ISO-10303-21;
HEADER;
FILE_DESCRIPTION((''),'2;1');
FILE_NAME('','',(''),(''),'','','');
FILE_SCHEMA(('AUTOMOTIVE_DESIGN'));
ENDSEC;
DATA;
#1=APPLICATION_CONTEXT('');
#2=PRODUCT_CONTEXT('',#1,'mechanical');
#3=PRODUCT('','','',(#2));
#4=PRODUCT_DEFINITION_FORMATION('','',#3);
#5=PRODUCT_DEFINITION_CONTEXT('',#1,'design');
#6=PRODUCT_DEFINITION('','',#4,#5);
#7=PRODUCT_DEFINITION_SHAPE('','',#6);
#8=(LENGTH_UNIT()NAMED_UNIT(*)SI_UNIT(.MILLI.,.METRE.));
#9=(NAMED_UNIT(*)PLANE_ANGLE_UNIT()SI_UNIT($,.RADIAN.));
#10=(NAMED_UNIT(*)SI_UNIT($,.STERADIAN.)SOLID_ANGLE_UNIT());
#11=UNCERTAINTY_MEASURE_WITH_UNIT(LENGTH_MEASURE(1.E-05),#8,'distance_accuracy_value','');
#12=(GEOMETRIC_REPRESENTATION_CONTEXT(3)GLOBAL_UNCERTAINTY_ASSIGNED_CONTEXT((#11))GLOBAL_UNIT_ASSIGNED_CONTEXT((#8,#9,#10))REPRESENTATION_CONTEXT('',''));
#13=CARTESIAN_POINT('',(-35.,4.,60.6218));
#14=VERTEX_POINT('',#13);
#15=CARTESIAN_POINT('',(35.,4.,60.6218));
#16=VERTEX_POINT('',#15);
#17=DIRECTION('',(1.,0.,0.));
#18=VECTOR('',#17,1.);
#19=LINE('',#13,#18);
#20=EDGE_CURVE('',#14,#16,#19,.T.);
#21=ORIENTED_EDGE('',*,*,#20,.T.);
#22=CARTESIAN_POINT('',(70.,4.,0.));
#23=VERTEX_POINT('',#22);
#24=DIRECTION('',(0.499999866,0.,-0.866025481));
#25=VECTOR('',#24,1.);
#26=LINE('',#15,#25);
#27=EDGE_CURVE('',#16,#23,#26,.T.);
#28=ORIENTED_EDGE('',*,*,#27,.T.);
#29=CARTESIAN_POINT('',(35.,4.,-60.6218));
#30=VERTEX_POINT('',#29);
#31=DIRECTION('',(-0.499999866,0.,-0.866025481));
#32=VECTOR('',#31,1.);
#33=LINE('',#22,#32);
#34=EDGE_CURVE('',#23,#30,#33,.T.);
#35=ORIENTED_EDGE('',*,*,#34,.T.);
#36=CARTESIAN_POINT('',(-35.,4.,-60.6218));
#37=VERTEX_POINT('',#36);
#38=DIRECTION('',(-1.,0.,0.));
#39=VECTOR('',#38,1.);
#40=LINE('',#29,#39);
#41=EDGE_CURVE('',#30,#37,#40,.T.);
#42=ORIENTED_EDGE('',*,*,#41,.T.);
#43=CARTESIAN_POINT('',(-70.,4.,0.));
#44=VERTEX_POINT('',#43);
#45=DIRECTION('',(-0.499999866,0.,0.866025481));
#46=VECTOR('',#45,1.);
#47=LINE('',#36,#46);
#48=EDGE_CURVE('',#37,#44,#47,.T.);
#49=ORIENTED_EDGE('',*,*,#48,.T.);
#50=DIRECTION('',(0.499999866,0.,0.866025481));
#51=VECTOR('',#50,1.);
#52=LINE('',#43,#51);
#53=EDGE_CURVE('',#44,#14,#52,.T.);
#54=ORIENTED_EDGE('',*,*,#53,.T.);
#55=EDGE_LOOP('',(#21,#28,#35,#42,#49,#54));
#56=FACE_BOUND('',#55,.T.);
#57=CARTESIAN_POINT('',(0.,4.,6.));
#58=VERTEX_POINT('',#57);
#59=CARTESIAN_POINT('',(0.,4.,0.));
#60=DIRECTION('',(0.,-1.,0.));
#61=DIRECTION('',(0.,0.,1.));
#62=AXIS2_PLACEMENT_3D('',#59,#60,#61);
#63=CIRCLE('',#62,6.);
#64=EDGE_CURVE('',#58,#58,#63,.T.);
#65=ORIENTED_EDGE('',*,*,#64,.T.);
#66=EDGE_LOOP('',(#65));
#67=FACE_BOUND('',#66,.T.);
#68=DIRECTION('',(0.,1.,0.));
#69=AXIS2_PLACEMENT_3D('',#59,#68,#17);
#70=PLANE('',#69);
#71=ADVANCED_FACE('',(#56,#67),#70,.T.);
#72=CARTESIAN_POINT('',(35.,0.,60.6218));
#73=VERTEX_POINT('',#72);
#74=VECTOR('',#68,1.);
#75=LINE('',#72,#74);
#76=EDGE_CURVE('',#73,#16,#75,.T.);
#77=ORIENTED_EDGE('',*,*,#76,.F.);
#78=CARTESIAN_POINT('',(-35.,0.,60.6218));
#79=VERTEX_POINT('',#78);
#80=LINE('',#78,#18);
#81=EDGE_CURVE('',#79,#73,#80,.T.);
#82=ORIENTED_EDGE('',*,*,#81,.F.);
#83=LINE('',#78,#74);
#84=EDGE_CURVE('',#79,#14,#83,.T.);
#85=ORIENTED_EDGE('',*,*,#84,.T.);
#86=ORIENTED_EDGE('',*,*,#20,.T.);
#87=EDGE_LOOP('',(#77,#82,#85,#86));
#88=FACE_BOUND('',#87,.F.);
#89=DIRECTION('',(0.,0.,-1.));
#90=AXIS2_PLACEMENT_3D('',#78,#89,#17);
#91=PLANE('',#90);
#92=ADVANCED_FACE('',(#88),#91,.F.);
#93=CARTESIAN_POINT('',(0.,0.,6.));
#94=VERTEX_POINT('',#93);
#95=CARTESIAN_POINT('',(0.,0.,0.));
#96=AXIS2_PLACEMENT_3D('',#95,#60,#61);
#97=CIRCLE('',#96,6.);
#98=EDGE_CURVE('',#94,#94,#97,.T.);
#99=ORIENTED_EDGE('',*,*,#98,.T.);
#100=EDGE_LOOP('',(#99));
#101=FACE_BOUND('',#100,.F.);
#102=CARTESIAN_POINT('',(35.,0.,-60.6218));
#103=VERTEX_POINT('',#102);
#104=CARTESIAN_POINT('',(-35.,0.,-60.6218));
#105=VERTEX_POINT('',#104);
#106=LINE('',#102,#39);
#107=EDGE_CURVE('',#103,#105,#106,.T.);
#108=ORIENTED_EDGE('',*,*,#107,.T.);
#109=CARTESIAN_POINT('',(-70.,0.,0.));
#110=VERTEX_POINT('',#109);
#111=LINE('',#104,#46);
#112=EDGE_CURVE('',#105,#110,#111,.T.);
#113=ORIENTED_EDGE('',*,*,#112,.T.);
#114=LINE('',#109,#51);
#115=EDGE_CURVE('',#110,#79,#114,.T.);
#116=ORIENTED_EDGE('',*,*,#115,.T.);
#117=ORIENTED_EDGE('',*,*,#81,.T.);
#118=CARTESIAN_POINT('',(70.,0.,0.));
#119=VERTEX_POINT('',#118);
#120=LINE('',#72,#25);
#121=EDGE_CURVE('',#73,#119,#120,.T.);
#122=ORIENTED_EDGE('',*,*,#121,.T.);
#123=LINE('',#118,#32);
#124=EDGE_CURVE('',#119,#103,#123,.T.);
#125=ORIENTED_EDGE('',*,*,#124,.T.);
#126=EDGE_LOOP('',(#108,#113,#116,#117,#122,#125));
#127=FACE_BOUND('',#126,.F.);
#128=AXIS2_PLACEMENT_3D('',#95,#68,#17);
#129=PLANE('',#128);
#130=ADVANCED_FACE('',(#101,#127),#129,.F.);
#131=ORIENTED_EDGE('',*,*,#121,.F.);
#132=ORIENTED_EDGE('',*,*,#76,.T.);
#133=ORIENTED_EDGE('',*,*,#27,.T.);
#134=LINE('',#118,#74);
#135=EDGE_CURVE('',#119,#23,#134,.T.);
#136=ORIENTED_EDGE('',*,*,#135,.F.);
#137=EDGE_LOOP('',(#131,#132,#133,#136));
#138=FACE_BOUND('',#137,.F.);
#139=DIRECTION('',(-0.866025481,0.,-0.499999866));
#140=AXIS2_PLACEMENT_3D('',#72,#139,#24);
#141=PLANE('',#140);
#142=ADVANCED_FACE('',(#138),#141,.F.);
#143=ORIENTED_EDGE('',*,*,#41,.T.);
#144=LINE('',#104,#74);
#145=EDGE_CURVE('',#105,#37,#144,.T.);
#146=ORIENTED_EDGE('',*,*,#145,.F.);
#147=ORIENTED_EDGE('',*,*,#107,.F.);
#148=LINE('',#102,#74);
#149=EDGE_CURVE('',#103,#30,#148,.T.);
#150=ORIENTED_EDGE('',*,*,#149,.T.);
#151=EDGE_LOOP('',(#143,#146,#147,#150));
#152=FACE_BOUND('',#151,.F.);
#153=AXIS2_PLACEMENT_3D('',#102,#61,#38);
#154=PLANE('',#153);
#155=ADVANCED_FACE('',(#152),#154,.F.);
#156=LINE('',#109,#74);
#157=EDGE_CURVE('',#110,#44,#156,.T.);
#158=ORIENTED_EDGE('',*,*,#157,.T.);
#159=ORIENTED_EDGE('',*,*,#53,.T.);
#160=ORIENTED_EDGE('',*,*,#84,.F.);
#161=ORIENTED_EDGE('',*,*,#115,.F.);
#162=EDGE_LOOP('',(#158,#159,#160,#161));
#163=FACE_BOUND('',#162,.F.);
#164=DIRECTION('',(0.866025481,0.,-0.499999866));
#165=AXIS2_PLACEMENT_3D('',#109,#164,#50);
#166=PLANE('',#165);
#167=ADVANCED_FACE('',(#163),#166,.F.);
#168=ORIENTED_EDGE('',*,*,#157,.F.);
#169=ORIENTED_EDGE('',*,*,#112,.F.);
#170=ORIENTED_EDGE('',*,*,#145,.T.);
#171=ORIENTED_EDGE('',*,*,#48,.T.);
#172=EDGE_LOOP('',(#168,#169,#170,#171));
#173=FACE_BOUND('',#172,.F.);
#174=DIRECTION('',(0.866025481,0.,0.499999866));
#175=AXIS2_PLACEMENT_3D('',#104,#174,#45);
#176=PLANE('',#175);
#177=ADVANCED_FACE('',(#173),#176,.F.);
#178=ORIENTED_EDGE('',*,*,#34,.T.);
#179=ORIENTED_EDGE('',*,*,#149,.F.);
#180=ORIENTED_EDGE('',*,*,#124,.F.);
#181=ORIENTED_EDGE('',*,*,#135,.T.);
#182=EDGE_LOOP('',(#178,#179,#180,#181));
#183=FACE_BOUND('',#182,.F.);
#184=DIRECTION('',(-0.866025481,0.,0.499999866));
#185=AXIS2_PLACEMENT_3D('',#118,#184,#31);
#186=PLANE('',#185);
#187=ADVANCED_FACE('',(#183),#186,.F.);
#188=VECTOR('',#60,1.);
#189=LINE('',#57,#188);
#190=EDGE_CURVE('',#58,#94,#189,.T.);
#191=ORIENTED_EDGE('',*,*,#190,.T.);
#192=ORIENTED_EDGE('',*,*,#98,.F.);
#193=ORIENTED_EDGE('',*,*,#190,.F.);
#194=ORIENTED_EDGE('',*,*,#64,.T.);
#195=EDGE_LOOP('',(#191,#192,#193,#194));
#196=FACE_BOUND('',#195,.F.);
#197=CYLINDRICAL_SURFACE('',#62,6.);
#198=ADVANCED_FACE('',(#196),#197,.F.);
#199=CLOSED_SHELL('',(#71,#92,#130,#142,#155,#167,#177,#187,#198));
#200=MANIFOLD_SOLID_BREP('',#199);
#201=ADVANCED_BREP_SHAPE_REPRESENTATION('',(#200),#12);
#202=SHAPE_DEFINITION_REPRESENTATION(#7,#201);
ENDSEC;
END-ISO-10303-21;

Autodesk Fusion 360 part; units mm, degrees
sketch "草图1" plane through (0, 0, 0) normal (0, 1, 0) x (1, 0, 0)
  line L0 (70, 0) -> (35, 60.6218)
  line L1 (35, 60.6218) -> (-35, 60.6218)
  line L2 (-35, 60.6218) -> (-70, 0)
  line L3 (-70, 0) -> (-35, -60.6218)
  line L4 (-35, -60.6218) -> (35, -60.6218)
  line L5 (35, -60.6218) -> (70, 0)
  dimension "d1" = 70
extrude "拉伸1" add sketch "草图1" along normal blind 4
hole "孔1" at (0, 4, 0) direction (0, -1, 0) diameter 12 depth 30 tip angle 180
